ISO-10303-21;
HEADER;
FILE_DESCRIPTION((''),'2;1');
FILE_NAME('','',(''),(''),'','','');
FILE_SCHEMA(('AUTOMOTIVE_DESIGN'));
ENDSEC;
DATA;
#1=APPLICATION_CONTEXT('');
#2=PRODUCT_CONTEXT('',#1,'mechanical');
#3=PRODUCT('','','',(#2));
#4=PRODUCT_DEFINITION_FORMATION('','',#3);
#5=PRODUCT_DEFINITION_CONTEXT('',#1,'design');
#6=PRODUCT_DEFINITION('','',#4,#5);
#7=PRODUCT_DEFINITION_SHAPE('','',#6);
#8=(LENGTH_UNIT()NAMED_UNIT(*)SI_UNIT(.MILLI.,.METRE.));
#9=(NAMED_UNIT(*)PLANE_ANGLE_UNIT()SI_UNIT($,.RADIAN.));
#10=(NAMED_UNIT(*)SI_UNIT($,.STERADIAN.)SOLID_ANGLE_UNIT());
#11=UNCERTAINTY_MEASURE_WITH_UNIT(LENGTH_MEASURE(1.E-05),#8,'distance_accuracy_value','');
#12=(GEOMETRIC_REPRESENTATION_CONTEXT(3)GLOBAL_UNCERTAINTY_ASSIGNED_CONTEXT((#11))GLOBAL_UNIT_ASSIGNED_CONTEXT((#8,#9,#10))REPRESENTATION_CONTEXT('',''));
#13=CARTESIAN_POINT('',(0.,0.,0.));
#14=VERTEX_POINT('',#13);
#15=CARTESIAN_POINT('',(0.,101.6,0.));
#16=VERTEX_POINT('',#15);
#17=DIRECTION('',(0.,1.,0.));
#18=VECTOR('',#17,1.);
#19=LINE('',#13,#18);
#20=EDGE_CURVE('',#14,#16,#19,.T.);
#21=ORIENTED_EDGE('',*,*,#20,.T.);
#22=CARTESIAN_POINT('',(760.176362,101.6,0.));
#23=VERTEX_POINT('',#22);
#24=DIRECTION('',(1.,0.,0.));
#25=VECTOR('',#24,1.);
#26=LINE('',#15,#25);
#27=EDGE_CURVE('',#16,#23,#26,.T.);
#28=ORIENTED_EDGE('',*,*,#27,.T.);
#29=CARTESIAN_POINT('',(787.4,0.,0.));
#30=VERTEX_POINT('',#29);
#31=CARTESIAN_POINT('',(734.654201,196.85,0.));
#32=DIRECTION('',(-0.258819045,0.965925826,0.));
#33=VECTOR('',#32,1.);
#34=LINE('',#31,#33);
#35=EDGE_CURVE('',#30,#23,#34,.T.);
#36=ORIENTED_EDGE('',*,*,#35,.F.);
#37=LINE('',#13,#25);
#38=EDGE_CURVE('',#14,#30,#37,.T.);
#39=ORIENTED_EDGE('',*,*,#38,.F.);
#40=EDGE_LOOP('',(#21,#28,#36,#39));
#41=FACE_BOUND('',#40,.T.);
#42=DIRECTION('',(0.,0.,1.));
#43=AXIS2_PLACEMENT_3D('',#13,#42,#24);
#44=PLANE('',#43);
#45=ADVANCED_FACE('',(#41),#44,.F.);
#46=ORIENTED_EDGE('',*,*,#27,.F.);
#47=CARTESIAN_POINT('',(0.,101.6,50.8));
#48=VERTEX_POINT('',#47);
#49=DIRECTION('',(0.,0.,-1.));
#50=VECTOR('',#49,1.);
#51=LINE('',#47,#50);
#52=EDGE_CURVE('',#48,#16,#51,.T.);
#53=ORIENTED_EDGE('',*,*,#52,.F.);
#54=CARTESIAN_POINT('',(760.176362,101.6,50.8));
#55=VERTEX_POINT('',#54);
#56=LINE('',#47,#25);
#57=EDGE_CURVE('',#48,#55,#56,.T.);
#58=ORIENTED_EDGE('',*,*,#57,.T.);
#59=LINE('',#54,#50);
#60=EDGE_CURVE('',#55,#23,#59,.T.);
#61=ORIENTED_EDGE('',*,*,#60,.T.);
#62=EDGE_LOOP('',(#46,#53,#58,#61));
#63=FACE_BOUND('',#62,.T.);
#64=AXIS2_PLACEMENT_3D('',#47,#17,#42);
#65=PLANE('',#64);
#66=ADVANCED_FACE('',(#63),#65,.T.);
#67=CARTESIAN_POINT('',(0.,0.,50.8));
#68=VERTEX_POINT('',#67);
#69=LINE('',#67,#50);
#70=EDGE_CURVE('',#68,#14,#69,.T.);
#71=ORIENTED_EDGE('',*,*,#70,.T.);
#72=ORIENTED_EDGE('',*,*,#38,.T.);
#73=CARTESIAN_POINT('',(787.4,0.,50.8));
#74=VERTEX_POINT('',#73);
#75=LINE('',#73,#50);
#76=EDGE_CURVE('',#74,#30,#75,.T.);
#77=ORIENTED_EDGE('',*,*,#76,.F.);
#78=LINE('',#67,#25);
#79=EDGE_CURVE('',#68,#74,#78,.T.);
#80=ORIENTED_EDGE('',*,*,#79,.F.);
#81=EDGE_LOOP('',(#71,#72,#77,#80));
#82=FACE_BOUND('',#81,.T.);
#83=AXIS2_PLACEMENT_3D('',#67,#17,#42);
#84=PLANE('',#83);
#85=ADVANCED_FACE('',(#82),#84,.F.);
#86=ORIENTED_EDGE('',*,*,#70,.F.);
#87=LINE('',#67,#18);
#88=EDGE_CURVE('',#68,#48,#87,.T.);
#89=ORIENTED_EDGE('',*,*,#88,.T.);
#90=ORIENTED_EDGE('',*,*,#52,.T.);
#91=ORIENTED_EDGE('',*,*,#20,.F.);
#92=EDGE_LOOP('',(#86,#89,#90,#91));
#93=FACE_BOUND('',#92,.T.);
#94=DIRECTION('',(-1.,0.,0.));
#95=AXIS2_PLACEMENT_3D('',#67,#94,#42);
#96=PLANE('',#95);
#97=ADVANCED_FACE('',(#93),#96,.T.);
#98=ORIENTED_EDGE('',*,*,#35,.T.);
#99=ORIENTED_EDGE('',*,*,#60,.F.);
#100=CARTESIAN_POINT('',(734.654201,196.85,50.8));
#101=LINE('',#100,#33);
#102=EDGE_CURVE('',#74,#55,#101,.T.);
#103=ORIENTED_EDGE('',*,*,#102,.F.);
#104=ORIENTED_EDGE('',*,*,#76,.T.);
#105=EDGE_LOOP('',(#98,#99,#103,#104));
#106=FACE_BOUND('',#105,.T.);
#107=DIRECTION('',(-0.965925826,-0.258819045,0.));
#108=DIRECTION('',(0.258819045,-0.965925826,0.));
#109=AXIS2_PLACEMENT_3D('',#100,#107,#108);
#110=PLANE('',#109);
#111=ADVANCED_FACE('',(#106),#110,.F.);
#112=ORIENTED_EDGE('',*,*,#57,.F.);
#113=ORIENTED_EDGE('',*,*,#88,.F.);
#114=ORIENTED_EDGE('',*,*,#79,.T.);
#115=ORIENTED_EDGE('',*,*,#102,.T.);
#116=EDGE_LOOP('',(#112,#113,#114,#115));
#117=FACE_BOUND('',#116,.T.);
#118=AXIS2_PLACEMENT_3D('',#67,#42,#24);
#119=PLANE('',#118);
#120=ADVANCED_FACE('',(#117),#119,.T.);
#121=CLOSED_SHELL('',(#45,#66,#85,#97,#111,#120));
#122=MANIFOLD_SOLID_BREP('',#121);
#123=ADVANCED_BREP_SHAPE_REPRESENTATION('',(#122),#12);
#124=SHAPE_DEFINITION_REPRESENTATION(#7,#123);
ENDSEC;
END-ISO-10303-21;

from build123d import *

# Parameters (mm, degrees)
BOSS_EXTRUDE1_DEPTH = 50.8


with BuildPart() as part:
    # Sketch1 → Boss-Extrude1 (new body)
    with BuildSketch(Plane.XY):
        Polygon((0, 0), (787.4, 0), (760.176362049, 101.6), (0, 101.6), align=None)
    extrude(amount=BOSS_EXTRUDE1_DEPTH)


solid = part.part
